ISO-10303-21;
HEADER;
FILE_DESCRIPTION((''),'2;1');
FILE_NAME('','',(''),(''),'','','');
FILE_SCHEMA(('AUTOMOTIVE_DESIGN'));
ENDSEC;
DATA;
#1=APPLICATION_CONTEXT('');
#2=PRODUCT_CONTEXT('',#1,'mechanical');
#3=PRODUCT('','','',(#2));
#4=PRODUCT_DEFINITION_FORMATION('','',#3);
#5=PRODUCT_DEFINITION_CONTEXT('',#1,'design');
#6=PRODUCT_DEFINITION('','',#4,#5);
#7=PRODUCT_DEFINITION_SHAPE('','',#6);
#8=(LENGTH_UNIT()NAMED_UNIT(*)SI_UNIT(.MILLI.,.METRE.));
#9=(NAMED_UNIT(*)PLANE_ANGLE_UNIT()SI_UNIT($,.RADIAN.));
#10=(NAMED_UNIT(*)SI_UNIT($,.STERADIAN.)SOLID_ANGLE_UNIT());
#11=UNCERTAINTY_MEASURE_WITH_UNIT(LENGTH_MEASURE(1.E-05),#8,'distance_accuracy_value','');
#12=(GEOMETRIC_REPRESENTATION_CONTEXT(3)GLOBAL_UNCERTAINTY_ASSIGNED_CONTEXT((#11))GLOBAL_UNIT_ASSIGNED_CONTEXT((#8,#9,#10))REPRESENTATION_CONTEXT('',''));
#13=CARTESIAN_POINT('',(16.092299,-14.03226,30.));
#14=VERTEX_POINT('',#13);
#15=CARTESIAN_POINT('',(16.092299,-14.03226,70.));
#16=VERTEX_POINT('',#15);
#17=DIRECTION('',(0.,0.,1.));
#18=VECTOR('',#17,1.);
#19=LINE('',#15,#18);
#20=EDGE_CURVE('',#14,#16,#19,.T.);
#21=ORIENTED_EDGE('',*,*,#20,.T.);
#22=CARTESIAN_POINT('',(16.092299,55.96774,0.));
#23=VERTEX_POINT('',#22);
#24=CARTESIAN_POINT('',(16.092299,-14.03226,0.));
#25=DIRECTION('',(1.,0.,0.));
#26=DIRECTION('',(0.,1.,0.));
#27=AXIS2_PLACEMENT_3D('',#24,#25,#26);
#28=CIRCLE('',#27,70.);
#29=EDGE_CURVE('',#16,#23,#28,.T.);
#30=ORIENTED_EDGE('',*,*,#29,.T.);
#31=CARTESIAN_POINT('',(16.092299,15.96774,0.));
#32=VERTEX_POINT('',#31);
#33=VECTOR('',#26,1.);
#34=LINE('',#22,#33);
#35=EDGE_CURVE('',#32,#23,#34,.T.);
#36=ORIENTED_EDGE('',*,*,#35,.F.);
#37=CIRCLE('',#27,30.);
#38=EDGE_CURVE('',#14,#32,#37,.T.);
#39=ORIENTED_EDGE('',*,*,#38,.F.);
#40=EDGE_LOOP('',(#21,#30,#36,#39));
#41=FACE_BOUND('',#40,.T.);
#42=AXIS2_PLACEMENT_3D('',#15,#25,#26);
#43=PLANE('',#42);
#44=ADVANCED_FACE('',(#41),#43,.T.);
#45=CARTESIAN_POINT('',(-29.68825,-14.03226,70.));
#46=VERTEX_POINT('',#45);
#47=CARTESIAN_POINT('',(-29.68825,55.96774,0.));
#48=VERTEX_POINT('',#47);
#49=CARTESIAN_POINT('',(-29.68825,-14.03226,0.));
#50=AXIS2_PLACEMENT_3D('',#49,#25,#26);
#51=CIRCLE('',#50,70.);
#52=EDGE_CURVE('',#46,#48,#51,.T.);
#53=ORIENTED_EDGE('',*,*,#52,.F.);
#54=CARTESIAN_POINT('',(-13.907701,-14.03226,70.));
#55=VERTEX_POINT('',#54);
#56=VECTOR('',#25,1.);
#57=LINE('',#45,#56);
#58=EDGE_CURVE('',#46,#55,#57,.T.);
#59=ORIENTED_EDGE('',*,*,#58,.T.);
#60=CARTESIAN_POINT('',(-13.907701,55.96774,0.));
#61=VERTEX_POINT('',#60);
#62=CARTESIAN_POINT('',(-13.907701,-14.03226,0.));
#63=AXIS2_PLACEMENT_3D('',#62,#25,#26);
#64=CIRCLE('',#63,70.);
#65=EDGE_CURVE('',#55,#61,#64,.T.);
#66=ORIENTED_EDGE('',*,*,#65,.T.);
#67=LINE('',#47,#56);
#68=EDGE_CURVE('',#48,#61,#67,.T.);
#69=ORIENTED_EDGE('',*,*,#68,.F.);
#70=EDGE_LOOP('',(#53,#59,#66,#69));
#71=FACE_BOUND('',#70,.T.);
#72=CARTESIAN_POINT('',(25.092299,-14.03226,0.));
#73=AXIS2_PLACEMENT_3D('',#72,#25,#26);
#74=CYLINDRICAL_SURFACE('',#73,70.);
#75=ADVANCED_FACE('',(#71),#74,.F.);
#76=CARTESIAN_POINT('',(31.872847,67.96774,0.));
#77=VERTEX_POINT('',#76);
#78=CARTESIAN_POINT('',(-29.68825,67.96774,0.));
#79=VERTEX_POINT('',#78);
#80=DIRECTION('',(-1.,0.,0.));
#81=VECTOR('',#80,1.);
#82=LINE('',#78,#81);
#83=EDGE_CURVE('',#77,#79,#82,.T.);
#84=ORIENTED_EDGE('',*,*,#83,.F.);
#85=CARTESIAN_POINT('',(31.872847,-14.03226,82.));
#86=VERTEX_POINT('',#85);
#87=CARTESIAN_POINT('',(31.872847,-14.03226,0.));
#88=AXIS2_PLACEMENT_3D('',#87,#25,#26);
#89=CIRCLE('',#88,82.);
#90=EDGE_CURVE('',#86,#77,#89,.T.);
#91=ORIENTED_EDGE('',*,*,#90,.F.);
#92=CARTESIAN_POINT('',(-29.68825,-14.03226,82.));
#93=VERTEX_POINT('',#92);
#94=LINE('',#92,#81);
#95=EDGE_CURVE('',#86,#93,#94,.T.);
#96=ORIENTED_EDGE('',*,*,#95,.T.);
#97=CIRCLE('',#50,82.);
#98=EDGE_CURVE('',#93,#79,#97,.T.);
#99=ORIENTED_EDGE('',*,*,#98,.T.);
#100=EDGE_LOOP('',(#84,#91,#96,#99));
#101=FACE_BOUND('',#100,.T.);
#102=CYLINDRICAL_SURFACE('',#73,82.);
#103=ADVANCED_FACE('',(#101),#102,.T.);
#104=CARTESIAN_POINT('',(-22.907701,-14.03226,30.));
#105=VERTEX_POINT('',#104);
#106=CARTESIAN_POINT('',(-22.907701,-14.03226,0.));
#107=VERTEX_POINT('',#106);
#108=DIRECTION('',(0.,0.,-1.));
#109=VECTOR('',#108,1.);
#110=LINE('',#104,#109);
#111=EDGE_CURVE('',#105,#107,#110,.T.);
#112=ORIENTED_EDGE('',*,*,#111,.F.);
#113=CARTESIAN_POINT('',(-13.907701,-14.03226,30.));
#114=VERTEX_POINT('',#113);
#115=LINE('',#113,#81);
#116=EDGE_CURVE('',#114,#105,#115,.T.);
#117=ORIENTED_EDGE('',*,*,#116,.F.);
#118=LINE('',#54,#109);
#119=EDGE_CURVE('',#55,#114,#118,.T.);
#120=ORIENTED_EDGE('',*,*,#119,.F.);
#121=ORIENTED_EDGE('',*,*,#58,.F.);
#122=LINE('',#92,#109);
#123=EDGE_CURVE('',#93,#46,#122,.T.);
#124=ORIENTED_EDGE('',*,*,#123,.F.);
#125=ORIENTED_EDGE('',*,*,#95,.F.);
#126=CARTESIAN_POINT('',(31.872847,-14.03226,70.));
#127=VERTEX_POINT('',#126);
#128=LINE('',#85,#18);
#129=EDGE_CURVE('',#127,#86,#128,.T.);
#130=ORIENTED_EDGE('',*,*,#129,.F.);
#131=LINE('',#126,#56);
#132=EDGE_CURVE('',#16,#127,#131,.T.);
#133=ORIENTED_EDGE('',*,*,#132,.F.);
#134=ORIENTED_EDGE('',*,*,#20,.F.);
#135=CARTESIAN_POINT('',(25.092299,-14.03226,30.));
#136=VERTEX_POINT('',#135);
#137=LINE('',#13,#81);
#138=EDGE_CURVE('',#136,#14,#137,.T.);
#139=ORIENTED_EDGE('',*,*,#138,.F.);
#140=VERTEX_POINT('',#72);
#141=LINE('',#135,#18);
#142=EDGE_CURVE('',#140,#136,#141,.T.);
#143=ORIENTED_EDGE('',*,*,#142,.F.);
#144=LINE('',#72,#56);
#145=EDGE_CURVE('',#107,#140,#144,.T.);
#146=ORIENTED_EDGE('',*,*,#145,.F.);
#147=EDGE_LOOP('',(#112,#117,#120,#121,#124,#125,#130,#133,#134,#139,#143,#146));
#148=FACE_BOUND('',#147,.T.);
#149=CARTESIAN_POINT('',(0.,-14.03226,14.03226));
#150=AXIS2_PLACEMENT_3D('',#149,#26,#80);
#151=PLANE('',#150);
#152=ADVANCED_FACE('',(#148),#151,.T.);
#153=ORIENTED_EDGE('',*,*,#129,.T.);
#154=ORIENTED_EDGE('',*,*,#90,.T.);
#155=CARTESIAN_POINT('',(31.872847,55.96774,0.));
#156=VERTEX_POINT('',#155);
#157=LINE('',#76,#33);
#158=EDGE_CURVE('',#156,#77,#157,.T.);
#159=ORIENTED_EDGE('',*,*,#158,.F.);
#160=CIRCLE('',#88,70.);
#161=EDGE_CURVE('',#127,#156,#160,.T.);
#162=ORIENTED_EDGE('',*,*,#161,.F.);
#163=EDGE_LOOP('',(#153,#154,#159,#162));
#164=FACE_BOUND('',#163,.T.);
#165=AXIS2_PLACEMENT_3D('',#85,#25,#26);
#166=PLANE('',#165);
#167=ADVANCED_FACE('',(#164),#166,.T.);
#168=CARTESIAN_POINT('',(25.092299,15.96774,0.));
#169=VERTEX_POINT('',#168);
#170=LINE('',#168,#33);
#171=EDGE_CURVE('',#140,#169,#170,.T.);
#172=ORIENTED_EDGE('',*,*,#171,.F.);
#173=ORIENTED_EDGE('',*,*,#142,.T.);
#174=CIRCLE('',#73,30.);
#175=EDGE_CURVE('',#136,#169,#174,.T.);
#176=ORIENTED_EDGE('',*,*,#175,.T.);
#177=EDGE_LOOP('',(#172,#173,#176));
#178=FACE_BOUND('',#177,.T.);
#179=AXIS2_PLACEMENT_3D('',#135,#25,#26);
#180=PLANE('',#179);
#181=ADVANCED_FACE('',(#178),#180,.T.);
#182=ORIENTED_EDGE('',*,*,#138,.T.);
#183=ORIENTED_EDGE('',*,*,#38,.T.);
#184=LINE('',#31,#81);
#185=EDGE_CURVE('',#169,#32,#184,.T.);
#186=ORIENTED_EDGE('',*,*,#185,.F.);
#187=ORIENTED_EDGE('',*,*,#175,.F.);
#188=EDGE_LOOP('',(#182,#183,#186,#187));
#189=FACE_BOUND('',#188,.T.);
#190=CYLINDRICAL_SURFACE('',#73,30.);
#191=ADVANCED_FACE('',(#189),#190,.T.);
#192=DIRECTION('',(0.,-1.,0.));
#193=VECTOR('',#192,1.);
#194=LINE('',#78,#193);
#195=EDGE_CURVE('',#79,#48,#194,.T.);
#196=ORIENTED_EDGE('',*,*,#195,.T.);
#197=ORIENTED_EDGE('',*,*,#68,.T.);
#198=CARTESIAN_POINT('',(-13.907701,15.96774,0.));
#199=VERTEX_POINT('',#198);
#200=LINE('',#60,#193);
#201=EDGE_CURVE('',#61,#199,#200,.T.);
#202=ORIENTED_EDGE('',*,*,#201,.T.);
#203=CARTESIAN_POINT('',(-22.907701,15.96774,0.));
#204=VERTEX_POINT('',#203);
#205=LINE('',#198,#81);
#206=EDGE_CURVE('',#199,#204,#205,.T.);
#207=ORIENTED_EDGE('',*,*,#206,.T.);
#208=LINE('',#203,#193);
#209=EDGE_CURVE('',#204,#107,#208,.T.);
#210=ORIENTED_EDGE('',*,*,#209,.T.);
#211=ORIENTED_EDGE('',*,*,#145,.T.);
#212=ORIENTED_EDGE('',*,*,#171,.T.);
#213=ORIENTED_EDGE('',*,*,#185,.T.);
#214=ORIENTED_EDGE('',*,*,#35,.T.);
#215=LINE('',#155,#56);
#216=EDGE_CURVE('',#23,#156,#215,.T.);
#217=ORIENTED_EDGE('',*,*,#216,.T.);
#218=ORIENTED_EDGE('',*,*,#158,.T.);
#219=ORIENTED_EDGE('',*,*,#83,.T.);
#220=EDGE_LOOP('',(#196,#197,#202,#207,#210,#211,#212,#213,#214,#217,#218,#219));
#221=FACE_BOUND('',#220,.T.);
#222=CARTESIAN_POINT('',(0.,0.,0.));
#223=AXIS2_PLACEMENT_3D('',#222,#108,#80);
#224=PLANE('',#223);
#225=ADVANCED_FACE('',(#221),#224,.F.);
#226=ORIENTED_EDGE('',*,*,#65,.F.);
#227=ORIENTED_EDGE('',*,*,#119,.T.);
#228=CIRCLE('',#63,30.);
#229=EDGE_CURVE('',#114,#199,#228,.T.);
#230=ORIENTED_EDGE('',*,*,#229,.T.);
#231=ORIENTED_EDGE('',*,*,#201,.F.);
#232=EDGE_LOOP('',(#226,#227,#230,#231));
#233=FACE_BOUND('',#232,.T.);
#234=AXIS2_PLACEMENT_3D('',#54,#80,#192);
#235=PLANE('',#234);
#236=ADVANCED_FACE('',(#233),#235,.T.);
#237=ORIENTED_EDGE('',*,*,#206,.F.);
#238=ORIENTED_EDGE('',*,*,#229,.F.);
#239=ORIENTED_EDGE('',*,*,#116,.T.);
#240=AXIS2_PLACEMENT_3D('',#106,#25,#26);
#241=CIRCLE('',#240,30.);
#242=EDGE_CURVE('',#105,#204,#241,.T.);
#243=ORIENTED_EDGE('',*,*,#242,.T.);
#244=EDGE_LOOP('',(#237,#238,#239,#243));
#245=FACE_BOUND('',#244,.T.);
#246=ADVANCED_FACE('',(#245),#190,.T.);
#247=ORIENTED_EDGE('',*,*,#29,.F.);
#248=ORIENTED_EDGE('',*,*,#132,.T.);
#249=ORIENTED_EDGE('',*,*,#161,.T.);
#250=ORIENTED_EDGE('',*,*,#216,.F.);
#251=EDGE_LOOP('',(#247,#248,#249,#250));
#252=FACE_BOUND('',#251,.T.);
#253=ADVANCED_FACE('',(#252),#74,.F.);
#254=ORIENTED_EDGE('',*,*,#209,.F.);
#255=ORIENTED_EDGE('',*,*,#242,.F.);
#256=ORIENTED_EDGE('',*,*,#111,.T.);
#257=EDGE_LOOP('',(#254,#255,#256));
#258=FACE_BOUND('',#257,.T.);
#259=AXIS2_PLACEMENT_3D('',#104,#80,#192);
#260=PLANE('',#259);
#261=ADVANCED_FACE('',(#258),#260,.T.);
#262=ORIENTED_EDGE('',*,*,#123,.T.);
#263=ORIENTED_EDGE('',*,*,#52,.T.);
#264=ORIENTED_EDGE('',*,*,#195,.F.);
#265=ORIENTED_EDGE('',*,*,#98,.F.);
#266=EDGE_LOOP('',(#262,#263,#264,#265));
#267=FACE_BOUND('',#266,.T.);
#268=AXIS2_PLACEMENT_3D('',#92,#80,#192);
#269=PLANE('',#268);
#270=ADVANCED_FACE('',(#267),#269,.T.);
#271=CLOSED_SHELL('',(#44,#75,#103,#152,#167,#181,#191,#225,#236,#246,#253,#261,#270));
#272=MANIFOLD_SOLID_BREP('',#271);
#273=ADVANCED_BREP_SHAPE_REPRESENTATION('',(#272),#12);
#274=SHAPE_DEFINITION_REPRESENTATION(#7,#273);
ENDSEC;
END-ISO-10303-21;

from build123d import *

# Parameters (mm, degrees)
REVOLVE3_ANGLE = 270


with BuildPart() as part:
    # Sketch1 → Revolve3 (revolve)
    with BuildSketch(Plane.XY):
        Polygon((-29.688249557, 67.967739871), (31.872847052, 67.967739871), (31.872847052, 55.967739871), (16.092298747, 55.967739871), (16.092298747, 15.967739871), (25.092298747, 15.967739871), (25.092298747, -14.032260129), (-22.907701253, -14.032260129), (-22.907701253, 15.967739871), (-13.907701253, 15.967739871), (-13.907701253, 55.967739871), (-29.688249557, 55.967739871), align=None)
    revolve(axis=Axis((25.092298747, -14.032260129, 0), (-1, 0, 0)), revolution_arc=REVOLVE3_ANGLE)


solid = part.part
